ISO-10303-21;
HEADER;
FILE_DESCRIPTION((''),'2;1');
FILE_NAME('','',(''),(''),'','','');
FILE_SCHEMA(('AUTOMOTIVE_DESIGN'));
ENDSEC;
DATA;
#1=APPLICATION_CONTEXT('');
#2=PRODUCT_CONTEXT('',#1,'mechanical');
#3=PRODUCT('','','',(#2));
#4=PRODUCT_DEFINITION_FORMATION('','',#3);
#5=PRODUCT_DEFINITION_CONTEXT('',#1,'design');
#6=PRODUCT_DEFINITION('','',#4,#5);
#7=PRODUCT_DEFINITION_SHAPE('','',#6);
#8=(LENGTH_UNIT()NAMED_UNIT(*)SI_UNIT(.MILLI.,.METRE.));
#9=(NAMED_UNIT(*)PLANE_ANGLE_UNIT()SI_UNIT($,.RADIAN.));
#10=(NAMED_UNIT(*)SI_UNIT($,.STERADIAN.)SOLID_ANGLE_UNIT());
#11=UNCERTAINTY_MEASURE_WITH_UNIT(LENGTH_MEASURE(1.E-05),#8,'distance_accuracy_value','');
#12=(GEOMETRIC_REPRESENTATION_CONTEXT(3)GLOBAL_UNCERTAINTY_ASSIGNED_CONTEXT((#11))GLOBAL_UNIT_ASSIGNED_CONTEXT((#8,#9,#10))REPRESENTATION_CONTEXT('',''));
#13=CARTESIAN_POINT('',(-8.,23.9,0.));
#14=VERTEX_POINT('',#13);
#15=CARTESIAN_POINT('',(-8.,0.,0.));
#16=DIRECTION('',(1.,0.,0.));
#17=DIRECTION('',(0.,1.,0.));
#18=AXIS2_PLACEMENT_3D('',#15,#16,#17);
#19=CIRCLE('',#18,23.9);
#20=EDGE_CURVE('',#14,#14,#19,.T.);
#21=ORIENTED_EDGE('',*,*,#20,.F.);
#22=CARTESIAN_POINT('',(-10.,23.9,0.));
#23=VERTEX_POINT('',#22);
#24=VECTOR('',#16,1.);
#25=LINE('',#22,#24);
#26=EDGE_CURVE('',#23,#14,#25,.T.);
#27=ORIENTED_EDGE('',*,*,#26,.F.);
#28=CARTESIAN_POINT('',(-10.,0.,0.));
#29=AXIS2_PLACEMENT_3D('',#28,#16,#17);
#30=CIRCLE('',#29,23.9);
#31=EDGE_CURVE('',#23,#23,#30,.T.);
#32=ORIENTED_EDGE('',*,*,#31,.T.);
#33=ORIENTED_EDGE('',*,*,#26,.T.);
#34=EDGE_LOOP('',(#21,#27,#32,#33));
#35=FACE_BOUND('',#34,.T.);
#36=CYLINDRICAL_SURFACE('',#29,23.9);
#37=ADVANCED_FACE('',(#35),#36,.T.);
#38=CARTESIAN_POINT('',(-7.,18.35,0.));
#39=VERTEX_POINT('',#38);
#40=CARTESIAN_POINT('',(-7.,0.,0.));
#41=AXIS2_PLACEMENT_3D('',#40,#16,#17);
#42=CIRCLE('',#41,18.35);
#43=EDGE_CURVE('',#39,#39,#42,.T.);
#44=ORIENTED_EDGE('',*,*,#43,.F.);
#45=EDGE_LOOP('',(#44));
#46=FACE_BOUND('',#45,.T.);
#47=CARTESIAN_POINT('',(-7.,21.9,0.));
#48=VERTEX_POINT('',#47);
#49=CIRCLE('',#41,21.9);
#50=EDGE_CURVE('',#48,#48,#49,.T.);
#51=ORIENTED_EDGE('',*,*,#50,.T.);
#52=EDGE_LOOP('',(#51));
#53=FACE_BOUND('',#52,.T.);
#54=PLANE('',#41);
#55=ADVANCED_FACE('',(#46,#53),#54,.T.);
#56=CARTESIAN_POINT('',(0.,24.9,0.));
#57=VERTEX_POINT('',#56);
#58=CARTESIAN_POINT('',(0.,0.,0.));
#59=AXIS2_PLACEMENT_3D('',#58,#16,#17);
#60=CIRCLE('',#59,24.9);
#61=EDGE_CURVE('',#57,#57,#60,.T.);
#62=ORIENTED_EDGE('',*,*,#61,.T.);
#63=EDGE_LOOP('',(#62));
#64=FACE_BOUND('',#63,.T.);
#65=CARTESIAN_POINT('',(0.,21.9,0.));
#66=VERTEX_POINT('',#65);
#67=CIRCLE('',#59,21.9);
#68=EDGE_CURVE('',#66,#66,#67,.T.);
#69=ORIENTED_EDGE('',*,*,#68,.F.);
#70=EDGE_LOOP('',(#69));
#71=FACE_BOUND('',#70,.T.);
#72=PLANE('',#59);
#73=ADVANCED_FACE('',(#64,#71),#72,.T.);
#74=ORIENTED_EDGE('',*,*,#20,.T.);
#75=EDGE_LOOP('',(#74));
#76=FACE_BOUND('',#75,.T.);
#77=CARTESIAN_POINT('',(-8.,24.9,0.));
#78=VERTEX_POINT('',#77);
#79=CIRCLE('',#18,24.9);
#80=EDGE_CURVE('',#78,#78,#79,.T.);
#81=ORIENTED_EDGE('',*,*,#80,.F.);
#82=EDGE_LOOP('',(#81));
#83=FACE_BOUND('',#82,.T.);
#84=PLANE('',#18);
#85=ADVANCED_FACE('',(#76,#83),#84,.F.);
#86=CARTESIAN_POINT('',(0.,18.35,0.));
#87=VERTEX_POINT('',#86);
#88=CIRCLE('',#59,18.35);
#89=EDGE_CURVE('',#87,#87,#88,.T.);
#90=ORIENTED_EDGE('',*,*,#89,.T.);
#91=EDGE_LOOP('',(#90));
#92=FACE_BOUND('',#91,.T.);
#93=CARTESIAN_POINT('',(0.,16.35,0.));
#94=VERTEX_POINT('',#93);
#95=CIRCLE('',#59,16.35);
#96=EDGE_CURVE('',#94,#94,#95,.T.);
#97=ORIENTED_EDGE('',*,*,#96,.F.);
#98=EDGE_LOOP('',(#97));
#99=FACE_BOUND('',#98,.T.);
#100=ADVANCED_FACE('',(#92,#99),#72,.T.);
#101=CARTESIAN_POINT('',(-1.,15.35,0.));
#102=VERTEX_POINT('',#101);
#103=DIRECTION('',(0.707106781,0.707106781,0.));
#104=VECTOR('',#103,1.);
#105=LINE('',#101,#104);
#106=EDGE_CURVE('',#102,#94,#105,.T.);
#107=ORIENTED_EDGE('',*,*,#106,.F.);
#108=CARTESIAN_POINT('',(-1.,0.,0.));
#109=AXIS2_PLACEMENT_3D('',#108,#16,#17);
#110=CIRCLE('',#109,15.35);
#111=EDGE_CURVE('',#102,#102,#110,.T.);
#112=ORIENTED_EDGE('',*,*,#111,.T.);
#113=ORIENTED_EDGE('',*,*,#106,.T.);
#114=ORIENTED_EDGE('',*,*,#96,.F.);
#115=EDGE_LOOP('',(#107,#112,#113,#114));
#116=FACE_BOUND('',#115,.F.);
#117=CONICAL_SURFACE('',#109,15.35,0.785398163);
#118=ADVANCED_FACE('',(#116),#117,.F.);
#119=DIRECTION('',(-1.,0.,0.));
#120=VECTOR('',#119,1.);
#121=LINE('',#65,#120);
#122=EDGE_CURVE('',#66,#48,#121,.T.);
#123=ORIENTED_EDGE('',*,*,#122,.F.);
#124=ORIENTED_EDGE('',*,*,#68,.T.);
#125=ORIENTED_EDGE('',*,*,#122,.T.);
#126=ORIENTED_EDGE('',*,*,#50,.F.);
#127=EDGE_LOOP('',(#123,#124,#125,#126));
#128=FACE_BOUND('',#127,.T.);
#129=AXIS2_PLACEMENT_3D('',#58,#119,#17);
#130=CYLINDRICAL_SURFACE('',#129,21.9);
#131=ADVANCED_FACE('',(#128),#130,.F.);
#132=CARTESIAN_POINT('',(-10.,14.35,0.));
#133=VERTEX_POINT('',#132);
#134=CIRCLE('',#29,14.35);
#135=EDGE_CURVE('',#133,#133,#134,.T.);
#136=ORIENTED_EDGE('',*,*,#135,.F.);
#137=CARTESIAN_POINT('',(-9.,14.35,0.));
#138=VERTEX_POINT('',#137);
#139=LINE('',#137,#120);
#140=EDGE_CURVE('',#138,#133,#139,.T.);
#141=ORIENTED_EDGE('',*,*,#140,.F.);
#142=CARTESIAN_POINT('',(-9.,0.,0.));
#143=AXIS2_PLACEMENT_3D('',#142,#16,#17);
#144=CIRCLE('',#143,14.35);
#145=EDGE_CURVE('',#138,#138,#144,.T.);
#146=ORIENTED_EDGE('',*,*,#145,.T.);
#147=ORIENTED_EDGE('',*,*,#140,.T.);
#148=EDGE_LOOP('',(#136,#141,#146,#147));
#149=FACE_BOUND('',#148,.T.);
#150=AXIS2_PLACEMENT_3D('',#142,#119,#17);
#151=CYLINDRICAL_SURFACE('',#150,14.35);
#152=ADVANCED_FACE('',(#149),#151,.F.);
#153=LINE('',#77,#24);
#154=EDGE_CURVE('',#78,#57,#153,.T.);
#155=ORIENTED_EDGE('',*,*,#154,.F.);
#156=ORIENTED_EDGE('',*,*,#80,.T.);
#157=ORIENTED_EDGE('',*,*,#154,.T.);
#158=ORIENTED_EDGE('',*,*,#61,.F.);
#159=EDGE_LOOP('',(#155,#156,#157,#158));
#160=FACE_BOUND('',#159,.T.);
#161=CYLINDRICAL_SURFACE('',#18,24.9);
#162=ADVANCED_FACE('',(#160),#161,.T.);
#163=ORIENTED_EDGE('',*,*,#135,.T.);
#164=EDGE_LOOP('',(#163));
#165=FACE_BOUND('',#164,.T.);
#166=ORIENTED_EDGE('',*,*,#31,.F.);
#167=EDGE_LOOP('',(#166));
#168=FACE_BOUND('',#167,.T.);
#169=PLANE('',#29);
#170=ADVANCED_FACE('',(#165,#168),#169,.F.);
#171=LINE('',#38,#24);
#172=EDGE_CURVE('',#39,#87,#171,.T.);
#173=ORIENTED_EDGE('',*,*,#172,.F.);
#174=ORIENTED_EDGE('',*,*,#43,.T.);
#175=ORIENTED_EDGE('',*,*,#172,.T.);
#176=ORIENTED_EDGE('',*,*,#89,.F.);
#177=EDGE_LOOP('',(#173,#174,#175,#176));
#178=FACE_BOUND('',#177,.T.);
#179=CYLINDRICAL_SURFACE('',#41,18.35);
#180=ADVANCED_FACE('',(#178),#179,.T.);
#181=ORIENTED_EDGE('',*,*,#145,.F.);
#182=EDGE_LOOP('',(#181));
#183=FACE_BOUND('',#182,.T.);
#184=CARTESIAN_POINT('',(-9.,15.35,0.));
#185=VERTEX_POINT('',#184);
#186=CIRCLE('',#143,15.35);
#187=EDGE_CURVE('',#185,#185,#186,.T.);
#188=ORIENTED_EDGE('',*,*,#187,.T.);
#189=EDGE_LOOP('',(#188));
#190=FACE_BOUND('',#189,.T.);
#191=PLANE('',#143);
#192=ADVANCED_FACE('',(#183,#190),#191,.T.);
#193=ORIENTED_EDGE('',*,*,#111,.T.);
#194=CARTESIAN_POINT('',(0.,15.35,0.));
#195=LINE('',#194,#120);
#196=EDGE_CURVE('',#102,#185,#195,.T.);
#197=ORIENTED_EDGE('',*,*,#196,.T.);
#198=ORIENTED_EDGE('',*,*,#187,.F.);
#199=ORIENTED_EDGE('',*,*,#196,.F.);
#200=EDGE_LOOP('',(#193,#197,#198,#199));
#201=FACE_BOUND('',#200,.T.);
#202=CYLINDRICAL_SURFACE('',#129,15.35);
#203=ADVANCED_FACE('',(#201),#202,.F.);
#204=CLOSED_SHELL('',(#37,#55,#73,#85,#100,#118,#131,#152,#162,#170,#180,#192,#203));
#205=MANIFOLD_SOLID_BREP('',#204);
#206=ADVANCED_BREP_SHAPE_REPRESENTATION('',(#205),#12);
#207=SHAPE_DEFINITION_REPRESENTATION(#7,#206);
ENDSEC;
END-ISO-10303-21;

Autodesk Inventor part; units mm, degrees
ref_plane "YZ Plane" through (0, 0, 0) normal (1, 0, 0) x (0, 1, 0)
ref_plane "XZ Plane" through (0, 0, 0) normal (0, 1, 0) x (-1, 0, 0)
ref_plane "XY Plane" through (0, 0, 0) normal (0, 0, 1) x (1, 0, 0)
sketch "Sketch1" plane through (0, 0, 0) normal (0, 0, 1) x (1, 0, 0)
  line L0 (-12, 0) -> (2, 0) construction
  line L1 (0, -4.98) -> (0, 29.88) construction
  line L2 (0, 15.35) -> (-9, 15.35)
  line L3 (-9, 15.35) -> (-9, 14.35)
  line L4 (-9, 14.35) -> (-10, 14.35)
  line L5 (-10, 14.35) -> (-10, 23.9)
  line L6 (-10, 23.9) -> (-8, 23.9)
  line L7 (-8, 23.9) -> (-8, 24.9)
  line L8 (-8, 24.9) -> (0, 24.9)
  line L9 (0, 21.9) -> (-7, 21.9)
  line L10 (-7, 21.9) -> (-7, 18.35)
  line L11 (-7, 18.35) -> (0, 18.35)
  line L12 (0, 24.9) -> (0, 21.9)
  line L13 (0, 18.35) -> (0, 15.35)
  point P0 (0, 0)
  dimension "d0" = 49.8
  dimension "d1" = 47.8
  dimension "d3" = 1
  dimension "d4" = 2
  dimension "d5" = 30.7
  dimension "d6" = 1
  dimension "d7" = 3
  dimension "d8" = 3
  dimension "d9" = 3
  dimension "d10" = 10
revolve "Revolution1" add sketch "Sketch1" angle 360 about axis through (-10, 0, 0) along (1, 0, 0)
chamfer "Chamfer1" distance 1 angle 45 1 edges at (0, -15.35, 0)
properties part number "P118" material "ABS Plastic"
